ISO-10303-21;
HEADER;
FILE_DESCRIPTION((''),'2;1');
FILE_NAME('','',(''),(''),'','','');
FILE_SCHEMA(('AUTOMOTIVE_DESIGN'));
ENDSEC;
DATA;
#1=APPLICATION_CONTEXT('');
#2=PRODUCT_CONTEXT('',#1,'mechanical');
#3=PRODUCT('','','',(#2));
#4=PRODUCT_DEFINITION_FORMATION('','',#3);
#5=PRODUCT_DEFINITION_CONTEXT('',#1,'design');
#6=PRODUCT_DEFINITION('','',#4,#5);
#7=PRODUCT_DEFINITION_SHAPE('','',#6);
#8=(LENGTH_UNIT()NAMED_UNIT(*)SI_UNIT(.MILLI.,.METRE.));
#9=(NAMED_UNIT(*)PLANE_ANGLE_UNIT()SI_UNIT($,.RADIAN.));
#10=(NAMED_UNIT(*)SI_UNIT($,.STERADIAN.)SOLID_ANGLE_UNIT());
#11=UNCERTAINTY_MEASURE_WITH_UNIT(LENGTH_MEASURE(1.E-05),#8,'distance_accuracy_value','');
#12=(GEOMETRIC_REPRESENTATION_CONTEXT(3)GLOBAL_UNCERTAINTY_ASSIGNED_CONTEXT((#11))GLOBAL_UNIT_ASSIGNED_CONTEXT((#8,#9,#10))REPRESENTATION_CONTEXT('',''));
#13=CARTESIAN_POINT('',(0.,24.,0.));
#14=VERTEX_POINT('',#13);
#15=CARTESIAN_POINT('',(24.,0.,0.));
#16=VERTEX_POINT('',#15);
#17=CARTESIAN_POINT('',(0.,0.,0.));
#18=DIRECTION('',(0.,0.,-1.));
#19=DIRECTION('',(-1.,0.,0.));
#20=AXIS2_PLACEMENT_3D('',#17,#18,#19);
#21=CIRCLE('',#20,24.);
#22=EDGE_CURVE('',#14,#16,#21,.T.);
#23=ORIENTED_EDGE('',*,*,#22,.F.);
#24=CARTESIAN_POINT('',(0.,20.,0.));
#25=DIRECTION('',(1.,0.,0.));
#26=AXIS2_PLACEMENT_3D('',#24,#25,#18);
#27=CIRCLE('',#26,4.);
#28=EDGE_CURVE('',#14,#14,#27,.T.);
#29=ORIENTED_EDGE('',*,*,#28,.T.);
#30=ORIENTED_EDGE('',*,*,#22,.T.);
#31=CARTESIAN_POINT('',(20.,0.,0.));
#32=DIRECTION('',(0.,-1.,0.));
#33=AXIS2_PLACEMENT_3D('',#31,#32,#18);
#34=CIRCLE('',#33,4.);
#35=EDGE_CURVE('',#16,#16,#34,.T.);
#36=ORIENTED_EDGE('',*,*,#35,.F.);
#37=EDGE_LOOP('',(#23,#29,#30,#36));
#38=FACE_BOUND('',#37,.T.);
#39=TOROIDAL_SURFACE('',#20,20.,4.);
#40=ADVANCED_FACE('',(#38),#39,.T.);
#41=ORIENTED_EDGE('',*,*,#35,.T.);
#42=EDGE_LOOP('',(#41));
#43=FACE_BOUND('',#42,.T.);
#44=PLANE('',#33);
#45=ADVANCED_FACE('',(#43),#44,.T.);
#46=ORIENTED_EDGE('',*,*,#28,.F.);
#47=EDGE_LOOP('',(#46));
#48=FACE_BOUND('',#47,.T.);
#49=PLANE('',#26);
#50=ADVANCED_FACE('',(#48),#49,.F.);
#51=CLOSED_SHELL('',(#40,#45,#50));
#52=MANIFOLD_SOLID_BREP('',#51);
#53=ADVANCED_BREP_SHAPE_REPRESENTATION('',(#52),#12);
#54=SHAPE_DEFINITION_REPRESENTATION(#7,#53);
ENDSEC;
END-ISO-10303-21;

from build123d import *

# Parameters (mm, degrees)
SKETCH_PROFILE_R    = 4
FEATURE_TORUS_ANGLE = 90


with BuildPart() as part:
    # sketch:profile → feature:torus (revolve)
    with BuildSketch(Plane.XZ):
        with Locations((20, 0)):
            Circle(SKETCH_PROFILE_R)
    revolve(axis=Axis((0, 0, -15), (0, 0, 1)), revolution_arc=FEATURE_TORUS_ANGLE)


solid = part.part
